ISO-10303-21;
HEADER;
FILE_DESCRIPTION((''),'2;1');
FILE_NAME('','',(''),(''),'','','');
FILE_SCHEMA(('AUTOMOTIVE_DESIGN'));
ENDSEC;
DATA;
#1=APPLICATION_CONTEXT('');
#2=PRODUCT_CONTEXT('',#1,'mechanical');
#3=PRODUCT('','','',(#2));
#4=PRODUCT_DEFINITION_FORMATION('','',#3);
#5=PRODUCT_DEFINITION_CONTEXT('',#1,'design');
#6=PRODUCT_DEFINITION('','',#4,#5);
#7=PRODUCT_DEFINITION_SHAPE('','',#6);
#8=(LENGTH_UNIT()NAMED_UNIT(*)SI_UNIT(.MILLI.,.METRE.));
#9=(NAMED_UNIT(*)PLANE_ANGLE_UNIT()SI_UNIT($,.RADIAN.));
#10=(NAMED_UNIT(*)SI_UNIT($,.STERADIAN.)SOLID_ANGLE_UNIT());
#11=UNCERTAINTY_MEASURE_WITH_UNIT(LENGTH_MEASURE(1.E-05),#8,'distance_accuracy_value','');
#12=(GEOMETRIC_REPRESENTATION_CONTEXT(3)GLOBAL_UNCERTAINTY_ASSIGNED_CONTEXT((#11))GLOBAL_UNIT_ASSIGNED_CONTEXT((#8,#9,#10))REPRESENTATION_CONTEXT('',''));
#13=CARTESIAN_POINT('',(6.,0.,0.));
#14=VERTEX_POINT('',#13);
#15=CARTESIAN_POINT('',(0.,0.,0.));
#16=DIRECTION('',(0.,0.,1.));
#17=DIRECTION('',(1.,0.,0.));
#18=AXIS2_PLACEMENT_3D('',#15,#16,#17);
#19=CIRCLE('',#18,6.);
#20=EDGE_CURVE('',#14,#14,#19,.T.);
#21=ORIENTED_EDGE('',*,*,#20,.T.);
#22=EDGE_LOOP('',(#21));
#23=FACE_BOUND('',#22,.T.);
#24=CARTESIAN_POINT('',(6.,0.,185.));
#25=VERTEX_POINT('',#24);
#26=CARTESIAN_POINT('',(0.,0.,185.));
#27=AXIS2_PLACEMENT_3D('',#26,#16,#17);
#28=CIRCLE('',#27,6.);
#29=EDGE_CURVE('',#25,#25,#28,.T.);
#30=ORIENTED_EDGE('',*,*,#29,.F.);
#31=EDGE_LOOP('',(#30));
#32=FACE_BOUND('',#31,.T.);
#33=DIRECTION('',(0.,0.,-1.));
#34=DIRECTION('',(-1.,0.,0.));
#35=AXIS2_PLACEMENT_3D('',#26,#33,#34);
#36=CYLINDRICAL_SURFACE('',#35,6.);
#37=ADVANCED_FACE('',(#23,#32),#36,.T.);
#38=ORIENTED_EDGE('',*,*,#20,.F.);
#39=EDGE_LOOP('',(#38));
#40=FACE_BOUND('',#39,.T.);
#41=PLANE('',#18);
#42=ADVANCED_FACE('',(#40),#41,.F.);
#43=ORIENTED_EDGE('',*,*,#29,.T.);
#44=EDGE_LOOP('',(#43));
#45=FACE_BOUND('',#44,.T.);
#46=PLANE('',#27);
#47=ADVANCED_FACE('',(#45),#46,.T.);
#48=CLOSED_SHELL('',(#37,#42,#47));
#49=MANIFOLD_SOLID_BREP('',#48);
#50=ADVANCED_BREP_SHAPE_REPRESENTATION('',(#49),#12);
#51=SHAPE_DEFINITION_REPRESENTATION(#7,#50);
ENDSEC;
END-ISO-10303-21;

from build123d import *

# Parameters (mm, degrees)
IZIM1_R                     = 6
Y_KSEKLIK_EKSTR_ZYON1_DEPTH = 185


with BuildPart() as part:
    # Çizim1 → Yükseklik-Ekstrüzyon1 (new body)
    with BuildSketch(Plane.XY):
        Circle(IZIM1_R)
    extrude(amount=Y_KSEKLIK_EKSTR_ZYON1_DEPTH)


solid = part.part
